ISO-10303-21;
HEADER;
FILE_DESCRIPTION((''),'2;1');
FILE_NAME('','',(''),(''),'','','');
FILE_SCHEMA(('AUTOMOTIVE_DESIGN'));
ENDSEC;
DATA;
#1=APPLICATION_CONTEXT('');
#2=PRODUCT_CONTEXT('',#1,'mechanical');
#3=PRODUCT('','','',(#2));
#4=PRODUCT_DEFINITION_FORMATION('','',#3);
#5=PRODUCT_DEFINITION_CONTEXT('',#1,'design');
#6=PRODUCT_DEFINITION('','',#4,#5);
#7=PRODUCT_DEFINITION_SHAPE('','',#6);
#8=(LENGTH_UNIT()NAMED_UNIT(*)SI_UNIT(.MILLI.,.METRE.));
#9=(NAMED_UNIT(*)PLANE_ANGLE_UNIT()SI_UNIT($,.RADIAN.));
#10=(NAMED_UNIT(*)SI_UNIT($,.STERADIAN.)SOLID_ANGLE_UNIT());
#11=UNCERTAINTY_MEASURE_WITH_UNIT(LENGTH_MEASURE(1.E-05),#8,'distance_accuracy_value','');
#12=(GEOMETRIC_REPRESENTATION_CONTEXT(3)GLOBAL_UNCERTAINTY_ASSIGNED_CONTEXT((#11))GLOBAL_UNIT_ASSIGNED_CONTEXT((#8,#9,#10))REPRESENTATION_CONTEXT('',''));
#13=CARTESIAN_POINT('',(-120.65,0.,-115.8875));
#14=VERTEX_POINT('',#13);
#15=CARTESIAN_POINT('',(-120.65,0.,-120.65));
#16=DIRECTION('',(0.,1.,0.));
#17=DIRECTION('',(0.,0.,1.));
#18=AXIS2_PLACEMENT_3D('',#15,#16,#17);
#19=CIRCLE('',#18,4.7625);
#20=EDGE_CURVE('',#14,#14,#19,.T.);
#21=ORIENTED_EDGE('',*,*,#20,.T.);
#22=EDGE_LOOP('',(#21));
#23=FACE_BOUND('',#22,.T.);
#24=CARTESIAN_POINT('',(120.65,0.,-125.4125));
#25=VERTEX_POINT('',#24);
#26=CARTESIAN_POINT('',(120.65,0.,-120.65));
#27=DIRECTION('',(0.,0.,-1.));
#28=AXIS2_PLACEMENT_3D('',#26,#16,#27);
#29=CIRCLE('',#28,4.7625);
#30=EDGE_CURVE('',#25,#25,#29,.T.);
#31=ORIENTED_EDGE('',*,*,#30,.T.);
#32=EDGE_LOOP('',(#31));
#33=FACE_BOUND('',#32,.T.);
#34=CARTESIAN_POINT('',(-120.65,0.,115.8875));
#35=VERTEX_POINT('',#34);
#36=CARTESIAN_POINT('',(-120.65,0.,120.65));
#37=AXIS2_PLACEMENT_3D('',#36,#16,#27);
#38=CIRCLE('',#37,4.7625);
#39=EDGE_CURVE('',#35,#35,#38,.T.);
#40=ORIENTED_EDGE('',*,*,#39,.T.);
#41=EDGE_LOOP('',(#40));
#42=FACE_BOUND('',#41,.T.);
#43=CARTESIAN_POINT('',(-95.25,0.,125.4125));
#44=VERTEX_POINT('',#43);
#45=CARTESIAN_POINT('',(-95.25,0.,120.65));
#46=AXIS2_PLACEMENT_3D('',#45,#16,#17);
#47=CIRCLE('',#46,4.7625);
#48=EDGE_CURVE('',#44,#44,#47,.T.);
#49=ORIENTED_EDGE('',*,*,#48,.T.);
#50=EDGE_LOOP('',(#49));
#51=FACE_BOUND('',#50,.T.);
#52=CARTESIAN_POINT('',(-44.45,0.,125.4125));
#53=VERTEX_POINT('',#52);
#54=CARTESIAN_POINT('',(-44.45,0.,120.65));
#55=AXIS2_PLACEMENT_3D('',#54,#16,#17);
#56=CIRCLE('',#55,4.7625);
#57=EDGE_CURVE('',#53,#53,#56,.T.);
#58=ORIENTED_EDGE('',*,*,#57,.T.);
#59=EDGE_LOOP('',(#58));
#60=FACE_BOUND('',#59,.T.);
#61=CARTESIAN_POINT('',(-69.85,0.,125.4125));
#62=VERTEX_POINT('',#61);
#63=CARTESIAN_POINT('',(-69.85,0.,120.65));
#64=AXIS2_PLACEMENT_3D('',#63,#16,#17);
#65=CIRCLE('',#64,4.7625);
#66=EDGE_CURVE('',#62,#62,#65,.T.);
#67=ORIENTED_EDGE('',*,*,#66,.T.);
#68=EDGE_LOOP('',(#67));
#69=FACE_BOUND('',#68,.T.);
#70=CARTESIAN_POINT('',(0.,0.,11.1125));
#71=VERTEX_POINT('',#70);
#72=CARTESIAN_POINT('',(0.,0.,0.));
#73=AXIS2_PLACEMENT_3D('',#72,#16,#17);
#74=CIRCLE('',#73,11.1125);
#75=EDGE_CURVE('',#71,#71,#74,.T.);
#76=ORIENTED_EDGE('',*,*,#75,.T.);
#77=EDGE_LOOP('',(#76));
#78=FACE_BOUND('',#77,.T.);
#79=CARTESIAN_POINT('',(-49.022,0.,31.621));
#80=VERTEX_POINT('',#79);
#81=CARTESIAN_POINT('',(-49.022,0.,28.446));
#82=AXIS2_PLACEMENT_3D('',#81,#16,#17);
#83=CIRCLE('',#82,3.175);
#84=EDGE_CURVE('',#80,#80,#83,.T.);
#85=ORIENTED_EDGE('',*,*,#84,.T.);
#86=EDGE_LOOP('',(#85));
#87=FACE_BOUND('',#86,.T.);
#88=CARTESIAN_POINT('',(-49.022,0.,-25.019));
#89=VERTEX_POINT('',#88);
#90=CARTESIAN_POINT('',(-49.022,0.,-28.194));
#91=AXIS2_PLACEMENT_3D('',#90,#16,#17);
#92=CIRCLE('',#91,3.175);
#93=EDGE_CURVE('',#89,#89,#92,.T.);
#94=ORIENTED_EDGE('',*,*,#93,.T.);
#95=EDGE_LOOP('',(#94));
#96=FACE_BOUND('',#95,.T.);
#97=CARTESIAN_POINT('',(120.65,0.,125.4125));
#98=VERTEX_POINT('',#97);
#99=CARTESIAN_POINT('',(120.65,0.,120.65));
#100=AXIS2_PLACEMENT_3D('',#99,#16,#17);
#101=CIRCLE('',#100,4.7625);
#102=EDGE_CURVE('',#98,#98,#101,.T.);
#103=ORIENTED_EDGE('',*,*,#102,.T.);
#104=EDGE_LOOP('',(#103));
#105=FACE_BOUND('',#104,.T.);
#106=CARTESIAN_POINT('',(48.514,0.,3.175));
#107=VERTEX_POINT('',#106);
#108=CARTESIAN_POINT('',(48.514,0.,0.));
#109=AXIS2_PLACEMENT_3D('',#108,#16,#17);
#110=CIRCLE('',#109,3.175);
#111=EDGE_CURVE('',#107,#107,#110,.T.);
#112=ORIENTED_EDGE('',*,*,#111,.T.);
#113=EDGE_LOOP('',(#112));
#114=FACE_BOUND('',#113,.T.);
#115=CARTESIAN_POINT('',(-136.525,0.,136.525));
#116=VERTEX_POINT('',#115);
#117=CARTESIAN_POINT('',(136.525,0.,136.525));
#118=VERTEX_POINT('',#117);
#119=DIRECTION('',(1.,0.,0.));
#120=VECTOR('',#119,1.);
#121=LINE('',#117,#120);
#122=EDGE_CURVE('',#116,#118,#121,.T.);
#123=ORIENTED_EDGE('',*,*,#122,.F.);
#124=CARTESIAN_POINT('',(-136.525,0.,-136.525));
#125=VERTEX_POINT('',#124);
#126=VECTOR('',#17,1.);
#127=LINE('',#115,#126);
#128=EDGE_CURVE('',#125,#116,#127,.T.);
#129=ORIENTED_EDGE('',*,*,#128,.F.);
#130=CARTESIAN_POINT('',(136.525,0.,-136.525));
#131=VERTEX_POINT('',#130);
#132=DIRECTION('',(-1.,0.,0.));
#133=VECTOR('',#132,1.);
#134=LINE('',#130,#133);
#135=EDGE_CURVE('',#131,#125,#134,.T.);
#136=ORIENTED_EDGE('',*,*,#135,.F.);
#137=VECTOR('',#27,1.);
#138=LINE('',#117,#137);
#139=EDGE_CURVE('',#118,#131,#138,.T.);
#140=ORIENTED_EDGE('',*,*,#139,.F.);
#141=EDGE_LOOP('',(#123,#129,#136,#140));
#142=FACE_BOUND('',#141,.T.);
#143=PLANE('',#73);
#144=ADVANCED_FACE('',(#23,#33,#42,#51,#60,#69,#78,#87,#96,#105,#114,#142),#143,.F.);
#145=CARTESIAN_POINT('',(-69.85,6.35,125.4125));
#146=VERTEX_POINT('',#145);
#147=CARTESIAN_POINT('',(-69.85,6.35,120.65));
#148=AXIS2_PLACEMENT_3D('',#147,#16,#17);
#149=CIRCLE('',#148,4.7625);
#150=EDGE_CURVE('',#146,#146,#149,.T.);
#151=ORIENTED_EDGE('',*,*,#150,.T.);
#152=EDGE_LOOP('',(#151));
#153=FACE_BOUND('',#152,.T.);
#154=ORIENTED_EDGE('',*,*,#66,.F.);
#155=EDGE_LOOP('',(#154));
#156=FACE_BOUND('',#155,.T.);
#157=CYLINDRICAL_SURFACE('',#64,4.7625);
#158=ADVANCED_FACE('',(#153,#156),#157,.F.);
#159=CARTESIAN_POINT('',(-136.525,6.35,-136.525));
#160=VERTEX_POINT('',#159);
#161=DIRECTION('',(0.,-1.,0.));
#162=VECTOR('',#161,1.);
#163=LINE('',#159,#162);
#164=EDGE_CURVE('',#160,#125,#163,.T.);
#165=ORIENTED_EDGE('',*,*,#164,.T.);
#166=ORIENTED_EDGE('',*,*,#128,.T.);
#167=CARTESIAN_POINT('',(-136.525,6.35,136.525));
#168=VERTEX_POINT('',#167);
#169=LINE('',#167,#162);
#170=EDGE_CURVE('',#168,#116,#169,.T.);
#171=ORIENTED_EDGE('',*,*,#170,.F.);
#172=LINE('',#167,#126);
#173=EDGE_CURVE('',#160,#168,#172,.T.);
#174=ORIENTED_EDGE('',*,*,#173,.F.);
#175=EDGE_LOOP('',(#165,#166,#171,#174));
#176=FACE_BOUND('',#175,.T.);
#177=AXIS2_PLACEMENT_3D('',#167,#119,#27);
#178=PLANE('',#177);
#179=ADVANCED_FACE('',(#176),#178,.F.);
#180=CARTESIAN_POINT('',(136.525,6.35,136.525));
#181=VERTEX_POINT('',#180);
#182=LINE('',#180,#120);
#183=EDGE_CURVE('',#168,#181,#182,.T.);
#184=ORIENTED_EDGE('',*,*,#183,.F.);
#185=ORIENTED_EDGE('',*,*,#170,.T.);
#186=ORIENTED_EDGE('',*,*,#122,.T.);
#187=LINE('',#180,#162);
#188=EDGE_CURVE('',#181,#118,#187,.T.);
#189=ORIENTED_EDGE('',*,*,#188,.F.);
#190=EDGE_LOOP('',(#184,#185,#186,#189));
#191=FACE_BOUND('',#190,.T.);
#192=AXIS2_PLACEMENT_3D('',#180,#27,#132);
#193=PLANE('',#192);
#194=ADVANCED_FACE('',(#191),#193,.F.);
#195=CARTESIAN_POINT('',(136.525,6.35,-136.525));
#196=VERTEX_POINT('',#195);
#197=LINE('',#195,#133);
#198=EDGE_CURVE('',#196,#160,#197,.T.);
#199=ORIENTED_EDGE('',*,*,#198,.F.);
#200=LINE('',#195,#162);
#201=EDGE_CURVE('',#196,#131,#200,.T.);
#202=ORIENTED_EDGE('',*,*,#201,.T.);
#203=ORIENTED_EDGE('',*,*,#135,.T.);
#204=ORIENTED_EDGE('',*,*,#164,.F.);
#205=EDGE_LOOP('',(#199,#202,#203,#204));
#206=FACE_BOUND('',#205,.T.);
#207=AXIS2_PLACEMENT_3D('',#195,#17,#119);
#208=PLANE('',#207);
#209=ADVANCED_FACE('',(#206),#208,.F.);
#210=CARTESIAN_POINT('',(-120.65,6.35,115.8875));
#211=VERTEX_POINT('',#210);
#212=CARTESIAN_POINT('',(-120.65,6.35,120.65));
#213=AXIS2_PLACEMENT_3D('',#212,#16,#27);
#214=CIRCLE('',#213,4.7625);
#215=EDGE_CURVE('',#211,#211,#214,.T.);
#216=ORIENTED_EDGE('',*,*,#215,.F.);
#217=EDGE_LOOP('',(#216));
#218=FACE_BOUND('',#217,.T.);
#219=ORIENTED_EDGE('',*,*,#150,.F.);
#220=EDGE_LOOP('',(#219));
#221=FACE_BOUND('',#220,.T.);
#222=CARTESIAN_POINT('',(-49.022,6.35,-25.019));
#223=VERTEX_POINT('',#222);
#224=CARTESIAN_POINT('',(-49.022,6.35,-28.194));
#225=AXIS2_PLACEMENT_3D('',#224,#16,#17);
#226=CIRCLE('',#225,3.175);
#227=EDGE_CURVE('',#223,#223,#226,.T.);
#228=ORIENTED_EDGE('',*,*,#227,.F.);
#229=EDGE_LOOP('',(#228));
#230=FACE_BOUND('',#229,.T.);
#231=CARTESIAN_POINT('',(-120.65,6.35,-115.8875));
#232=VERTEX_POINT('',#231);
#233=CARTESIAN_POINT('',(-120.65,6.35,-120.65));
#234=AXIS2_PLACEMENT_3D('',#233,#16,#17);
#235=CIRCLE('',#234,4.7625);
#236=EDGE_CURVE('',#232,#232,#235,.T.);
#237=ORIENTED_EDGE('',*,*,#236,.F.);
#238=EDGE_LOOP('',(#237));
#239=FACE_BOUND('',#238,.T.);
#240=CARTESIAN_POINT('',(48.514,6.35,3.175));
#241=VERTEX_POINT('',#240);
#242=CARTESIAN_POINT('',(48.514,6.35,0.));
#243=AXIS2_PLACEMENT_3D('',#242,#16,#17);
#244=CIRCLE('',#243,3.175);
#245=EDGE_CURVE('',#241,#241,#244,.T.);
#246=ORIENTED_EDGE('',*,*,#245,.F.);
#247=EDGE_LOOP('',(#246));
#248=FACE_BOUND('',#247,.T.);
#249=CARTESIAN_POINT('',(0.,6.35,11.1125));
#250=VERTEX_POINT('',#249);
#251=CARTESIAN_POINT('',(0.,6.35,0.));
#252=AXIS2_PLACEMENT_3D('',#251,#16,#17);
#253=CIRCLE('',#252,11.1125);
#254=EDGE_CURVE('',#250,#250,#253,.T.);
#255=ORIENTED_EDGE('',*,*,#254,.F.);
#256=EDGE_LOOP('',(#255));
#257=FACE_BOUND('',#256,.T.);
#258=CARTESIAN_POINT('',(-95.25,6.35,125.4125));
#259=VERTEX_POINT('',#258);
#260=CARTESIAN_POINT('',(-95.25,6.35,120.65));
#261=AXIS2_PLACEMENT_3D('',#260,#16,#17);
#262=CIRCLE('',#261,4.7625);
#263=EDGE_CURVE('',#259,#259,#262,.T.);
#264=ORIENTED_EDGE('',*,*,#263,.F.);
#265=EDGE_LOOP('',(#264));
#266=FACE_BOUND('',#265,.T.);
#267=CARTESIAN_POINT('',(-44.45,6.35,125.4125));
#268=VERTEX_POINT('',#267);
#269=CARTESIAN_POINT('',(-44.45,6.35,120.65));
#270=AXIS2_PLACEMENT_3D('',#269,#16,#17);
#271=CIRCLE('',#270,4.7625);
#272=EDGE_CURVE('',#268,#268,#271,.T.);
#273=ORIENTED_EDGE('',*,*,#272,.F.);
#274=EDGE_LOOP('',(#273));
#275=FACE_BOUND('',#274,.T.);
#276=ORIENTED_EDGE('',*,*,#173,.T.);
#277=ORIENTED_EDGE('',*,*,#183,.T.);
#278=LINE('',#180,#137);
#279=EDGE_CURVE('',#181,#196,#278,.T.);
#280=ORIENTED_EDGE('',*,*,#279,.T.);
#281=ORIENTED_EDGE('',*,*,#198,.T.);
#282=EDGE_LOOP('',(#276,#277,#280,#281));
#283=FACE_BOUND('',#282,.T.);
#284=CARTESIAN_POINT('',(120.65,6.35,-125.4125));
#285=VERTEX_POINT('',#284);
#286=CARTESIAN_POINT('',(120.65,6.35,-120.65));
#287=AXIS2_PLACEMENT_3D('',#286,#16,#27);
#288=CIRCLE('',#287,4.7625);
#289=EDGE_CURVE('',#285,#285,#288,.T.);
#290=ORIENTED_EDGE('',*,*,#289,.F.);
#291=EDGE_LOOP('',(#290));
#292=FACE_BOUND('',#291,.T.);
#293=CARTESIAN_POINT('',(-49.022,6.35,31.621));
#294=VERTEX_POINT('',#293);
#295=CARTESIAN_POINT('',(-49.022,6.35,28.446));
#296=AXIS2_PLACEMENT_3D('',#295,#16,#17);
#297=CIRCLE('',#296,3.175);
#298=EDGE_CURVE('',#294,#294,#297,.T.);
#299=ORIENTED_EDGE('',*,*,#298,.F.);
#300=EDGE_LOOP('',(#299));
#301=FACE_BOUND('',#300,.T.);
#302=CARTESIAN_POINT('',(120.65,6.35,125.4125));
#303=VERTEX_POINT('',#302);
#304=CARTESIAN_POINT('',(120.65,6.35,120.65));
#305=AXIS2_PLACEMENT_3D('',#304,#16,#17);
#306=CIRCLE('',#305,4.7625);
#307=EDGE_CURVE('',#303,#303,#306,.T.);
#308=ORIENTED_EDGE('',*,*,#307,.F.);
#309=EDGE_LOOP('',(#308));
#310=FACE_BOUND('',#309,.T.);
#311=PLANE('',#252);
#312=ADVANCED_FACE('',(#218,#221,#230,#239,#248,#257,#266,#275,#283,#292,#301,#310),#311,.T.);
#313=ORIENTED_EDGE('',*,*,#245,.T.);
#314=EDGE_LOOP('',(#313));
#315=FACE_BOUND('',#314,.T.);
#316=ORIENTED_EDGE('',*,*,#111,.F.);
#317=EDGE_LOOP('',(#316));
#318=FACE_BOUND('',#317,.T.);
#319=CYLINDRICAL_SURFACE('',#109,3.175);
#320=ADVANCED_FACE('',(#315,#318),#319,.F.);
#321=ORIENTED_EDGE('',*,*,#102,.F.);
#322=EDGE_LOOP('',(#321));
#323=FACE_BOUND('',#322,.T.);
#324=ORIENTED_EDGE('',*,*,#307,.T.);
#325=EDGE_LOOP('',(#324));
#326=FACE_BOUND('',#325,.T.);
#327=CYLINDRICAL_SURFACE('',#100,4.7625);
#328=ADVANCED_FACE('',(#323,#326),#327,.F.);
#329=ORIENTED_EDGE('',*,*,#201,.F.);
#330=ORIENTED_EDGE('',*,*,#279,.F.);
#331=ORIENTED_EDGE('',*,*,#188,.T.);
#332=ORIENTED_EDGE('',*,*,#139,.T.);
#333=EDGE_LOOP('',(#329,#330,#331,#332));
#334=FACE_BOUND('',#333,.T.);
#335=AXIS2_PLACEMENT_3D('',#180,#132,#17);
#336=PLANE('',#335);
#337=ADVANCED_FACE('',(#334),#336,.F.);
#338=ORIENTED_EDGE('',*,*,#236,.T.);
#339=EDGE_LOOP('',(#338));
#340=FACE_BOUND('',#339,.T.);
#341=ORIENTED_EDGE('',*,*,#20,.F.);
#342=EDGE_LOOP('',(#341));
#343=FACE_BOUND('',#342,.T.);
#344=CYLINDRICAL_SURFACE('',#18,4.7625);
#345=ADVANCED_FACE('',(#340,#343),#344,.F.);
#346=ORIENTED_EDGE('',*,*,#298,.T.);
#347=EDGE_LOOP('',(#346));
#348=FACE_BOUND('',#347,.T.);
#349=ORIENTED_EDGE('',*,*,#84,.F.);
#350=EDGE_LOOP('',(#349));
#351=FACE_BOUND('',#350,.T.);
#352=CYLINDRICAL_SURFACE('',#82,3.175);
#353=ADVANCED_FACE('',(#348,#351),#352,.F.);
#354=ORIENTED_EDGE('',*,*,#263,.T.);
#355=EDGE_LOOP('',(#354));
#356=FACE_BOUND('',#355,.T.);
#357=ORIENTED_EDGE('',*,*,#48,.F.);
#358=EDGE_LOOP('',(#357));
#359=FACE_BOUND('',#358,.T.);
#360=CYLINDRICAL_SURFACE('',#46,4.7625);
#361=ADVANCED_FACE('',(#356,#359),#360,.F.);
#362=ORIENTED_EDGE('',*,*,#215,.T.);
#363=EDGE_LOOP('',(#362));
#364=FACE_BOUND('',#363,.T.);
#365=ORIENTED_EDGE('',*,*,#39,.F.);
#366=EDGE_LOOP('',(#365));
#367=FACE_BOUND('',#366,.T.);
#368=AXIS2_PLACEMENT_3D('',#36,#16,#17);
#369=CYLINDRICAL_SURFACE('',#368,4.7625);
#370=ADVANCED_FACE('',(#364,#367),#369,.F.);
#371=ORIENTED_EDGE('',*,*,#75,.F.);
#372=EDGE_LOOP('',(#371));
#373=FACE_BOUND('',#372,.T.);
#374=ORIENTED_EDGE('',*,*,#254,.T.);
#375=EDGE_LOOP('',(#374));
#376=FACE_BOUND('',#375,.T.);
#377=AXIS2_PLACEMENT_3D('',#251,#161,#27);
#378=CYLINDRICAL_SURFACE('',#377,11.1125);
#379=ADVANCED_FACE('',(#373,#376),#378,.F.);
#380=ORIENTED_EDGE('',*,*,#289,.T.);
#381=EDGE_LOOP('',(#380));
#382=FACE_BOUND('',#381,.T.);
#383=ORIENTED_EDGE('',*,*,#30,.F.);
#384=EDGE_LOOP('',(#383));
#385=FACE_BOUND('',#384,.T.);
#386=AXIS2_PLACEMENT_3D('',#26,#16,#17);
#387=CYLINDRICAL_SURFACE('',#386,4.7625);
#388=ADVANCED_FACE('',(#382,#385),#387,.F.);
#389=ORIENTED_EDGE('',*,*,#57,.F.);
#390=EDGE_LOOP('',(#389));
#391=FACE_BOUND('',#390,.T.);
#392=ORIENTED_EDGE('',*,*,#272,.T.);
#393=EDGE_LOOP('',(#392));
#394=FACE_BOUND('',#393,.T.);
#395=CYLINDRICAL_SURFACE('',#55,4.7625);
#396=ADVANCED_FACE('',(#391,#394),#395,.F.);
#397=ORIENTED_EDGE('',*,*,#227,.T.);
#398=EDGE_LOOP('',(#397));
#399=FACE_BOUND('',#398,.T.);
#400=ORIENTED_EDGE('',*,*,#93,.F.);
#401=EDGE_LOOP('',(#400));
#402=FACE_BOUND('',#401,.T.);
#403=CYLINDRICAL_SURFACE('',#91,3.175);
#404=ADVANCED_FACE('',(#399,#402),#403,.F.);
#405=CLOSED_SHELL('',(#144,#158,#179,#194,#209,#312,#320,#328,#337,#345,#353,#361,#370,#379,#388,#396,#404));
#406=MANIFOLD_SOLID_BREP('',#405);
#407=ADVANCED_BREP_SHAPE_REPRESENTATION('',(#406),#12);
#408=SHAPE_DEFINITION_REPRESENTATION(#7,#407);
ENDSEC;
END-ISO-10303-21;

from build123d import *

# Parameters (mm, degrees)
SKETCH1_W           = 273.05
SKETCH1_H           = 273.05
SKETCH1_R           = 11.1125
BOSS_EXTRUDE1_DEPTH = 6.35
SKETCH2_R           = 4.7625
CUT_EXTRUDE1_DEPTH  = 194.179899964
SKETCH3_R           = 3.175
CUT_EXTRUDE4_DEPTH  = 194.179899964


with BuildPart() as part:
    # Sketch1 → Boss-Extrude1 (new body)
    with BuildSketch(Plane(origin=(0, 0, 0), x_dir=(1, 0, 0), z_dir=(0, 1, 0))):
        Rectangle(SKETCH1_W, SKETCH1_H)
        with Locations(Location((0, 0, 0), (0, 0, 270))):
            Circle(SKETCH1_R, mode=Mode.SUBTRACT)
    extrude(amount=BOSS_EXTRUDE1_DEPTH)

    # Sketch2 → Cut-Extrude1 (cut, through all)
    with BuildSketch(Plane(origin=(0, 6.35, 0), x_dir=(-1, 0, 0), z_dir=(0, 1, 0))):
        with Locations(Location((120.65, -120.65, 0), (0, 0, 90))):
            Circle(SKETCH2_R)
        with Locations(Location((120.65, 120.65, 0), (0, 0, 270))):
            Circle(SKETCH2_R)
        with Locations(Location((-120.65, -120.65, 0), (0, 0, 270))):
            Circle(SKETCH2_R)
        with Locations(Location((-120.65, 120.65, 0), (0, 0, 90))):
            Circle(SKETCH2_R)
        with Locations(Location((95.25, 120.65, 0), (0, 0, 90))):
            Circle(SKETCH2_R)
        with Locations(Location((69.85, 120.65, 0), (0, 0, 90))):
            Circle(SKETCH2_R)
        with Locations(Location((44.45, 120.65, 0), (0, 0, 90))):
            Circle(SKETCH2_R)
    extrude(amount=-CUT_EXTRUDE1_DEPTH, mode=Mode.SUBTRACT)

    # Sketch3 → Cut-Extrude4 (cut, through all)
    with BuildSketch(Plane(origin=(0, 6.35, 0), x_dir=(-1, 0, 0), z_dir=(0, 1, 0))):
        with Locations(Location((49.022, -28.194, 0), (0, 0, 90))):
            Circle(SKETCH3_R)
        with Locations(Location((49.022, 28.446, 0), (0, 0, 90))):
            Circle(SKETCH3_R)
        with Locations(Location((-48.514, 0, 0), (0, 0, 90))):
            Circle(SKETCH3_R)
    extrude(amount=-CUT_EXTRUDE4_DEPTH, mode=Mode.SUBTRACT)


solid = part.part
